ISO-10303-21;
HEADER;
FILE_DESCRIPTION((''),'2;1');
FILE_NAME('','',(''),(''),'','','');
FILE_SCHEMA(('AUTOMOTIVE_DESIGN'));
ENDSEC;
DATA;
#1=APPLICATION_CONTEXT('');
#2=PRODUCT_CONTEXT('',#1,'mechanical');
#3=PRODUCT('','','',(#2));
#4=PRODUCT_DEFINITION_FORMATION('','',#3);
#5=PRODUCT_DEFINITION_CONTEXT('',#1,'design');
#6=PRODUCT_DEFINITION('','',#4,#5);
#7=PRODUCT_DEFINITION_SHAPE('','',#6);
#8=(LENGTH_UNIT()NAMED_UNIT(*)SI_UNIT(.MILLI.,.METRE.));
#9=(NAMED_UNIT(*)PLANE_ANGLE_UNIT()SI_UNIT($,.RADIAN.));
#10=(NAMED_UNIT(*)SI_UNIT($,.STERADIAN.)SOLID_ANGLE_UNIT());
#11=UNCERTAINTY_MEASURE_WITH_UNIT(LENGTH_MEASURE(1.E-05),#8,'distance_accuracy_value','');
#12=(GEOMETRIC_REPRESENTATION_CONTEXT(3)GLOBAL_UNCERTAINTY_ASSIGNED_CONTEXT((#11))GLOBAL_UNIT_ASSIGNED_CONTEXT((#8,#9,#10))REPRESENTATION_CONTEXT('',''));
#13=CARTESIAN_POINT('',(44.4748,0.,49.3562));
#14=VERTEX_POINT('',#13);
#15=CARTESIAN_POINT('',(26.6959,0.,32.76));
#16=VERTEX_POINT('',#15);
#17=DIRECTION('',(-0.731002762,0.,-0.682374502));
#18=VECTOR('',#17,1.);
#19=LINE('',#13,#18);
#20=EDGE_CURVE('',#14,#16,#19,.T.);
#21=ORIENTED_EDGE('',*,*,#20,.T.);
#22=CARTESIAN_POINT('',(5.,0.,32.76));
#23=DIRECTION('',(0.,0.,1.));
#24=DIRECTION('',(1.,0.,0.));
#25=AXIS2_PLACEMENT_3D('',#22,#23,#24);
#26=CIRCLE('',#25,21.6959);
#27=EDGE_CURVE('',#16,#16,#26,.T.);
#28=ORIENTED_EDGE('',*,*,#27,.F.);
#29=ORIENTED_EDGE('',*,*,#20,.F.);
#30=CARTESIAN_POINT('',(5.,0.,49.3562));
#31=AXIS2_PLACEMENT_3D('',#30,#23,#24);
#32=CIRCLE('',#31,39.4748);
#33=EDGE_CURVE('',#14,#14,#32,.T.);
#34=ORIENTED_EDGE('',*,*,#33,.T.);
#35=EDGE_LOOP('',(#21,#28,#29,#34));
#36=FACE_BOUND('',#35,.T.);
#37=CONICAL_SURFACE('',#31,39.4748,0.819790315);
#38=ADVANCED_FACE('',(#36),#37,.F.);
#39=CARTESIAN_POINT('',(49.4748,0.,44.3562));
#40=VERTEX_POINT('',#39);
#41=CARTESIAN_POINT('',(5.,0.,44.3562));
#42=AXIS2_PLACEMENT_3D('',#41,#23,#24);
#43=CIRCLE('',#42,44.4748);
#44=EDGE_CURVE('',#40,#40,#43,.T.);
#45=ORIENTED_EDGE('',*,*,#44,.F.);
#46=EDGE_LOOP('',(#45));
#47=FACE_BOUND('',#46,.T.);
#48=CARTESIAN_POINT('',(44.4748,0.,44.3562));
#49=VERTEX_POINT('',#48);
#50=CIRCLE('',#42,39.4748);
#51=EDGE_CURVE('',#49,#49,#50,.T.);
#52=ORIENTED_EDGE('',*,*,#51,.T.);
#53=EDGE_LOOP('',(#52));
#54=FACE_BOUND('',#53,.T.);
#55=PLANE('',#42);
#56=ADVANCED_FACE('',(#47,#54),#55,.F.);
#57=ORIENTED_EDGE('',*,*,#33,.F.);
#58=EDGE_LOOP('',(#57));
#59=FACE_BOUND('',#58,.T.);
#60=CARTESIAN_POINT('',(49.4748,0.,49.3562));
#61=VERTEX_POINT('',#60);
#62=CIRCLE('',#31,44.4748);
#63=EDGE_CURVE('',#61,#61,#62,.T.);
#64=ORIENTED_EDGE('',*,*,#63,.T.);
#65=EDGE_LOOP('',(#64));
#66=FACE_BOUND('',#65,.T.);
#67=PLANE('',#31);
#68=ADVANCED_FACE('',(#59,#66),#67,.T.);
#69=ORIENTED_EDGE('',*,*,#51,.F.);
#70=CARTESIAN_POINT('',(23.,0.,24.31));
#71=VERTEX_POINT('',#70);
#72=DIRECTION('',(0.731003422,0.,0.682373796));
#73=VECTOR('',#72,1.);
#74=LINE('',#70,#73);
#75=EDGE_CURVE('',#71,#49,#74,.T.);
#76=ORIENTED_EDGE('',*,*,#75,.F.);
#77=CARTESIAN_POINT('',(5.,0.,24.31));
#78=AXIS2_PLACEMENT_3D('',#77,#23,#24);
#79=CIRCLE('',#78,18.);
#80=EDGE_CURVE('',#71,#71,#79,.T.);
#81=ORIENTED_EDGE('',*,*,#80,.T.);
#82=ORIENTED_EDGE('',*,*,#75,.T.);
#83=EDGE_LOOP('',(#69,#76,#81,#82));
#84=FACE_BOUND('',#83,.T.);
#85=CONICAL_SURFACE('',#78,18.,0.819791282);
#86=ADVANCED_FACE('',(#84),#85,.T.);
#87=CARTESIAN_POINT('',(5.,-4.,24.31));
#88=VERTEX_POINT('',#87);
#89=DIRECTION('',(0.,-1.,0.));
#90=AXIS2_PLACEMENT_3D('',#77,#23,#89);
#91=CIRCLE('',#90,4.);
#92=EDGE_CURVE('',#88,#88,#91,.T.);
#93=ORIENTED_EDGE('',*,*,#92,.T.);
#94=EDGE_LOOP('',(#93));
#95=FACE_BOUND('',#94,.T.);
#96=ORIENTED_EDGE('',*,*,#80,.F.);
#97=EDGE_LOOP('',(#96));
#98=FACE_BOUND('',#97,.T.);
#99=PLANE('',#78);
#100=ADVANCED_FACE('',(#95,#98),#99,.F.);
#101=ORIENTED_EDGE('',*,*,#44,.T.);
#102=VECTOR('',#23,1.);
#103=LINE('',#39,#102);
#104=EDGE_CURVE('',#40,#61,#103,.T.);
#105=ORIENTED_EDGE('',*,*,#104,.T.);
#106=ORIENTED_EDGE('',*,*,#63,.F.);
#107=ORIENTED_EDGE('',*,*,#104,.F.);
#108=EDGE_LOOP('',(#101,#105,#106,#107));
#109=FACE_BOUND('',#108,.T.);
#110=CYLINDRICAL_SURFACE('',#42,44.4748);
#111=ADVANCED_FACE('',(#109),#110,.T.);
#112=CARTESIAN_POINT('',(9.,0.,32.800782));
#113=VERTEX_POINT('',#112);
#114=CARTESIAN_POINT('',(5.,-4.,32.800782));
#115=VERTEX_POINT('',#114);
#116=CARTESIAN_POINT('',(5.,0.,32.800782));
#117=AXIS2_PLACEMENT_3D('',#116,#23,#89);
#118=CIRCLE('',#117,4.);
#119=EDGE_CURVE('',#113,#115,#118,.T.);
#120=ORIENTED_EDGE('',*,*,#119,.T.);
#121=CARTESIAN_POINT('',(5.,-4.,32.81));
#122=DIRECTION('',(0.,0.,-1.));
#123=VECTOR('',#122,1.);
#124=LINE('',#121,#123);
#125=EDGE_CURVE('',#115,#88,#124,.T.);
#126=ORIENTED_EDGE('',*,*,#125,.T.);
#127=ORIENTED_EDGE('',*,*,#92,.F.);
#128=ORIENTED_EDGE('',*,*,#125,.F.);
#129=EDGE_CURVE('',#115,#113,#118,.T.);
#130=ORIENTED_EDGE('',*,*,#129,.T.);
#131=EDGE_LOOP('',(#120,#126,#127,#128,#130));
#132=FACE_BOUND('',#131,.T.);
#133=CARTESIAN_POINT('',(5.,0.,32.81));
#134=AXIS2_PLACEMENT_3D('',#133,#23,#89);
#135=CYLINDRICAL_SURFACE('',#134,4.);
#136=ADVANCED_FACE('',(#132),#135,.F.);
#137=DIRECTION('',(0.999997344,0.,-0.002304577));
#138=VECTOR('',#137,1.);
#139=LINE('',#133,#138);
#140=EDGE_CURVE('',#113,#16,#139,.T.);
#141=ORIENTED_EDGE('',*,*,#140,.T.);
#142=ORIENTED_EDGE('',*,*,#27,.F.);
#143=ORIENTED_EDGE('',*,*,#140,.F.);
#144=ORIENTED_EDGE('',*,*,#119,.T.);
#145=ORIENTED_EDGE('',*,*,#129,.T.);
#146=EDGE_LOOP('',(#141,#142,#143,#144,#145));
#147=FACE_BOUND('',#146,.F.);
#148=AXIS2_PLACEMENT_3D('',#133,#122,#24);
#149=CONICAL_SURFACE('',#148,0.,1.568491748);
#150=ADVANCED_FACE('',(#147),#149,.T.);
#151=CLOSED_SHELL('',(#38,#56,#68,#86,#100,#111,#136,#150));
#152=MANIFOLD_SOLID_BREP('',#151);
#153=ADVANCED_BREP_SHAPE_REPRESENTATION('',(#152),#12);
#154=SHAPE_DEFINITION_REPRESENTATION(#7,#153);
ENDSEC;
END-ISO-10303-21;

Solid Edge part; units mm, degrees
sketch "Sketch1" plane through (0, 0, 0) normal (0, -1, 0) x (1, 0, 0)
  line L0 (5, 24.31) -> (5, 32.81)
  line L1 (5, 32.81) -> (26.6959, 32.76)
  line L2 (44.4748, 49.3562) -> (26.6959, 32.76)
  line L3 (49.4748, 49.3562) -> (44.4748, 49.3562)
  line L4 (49.4748, 44.3562) -> (49.4748, 49.3562)
  line L5 (44.4748, 44.3562) -> (49.4748, 44.3562)
  line L6 (23, 24.31) -> (44.4748, 44.3562)
  line L7 (5, 24.31) -> (23, 24.31)
revolve "RevolvedProtrusion1" add sketch "Sketch1" angle 360 about axis through (5, 0, 15.0377) along (0, 0, 1)
hole "Hole1" at (5, 0, 32.81) direction (0, 0, -1) diameter 8 end through all
